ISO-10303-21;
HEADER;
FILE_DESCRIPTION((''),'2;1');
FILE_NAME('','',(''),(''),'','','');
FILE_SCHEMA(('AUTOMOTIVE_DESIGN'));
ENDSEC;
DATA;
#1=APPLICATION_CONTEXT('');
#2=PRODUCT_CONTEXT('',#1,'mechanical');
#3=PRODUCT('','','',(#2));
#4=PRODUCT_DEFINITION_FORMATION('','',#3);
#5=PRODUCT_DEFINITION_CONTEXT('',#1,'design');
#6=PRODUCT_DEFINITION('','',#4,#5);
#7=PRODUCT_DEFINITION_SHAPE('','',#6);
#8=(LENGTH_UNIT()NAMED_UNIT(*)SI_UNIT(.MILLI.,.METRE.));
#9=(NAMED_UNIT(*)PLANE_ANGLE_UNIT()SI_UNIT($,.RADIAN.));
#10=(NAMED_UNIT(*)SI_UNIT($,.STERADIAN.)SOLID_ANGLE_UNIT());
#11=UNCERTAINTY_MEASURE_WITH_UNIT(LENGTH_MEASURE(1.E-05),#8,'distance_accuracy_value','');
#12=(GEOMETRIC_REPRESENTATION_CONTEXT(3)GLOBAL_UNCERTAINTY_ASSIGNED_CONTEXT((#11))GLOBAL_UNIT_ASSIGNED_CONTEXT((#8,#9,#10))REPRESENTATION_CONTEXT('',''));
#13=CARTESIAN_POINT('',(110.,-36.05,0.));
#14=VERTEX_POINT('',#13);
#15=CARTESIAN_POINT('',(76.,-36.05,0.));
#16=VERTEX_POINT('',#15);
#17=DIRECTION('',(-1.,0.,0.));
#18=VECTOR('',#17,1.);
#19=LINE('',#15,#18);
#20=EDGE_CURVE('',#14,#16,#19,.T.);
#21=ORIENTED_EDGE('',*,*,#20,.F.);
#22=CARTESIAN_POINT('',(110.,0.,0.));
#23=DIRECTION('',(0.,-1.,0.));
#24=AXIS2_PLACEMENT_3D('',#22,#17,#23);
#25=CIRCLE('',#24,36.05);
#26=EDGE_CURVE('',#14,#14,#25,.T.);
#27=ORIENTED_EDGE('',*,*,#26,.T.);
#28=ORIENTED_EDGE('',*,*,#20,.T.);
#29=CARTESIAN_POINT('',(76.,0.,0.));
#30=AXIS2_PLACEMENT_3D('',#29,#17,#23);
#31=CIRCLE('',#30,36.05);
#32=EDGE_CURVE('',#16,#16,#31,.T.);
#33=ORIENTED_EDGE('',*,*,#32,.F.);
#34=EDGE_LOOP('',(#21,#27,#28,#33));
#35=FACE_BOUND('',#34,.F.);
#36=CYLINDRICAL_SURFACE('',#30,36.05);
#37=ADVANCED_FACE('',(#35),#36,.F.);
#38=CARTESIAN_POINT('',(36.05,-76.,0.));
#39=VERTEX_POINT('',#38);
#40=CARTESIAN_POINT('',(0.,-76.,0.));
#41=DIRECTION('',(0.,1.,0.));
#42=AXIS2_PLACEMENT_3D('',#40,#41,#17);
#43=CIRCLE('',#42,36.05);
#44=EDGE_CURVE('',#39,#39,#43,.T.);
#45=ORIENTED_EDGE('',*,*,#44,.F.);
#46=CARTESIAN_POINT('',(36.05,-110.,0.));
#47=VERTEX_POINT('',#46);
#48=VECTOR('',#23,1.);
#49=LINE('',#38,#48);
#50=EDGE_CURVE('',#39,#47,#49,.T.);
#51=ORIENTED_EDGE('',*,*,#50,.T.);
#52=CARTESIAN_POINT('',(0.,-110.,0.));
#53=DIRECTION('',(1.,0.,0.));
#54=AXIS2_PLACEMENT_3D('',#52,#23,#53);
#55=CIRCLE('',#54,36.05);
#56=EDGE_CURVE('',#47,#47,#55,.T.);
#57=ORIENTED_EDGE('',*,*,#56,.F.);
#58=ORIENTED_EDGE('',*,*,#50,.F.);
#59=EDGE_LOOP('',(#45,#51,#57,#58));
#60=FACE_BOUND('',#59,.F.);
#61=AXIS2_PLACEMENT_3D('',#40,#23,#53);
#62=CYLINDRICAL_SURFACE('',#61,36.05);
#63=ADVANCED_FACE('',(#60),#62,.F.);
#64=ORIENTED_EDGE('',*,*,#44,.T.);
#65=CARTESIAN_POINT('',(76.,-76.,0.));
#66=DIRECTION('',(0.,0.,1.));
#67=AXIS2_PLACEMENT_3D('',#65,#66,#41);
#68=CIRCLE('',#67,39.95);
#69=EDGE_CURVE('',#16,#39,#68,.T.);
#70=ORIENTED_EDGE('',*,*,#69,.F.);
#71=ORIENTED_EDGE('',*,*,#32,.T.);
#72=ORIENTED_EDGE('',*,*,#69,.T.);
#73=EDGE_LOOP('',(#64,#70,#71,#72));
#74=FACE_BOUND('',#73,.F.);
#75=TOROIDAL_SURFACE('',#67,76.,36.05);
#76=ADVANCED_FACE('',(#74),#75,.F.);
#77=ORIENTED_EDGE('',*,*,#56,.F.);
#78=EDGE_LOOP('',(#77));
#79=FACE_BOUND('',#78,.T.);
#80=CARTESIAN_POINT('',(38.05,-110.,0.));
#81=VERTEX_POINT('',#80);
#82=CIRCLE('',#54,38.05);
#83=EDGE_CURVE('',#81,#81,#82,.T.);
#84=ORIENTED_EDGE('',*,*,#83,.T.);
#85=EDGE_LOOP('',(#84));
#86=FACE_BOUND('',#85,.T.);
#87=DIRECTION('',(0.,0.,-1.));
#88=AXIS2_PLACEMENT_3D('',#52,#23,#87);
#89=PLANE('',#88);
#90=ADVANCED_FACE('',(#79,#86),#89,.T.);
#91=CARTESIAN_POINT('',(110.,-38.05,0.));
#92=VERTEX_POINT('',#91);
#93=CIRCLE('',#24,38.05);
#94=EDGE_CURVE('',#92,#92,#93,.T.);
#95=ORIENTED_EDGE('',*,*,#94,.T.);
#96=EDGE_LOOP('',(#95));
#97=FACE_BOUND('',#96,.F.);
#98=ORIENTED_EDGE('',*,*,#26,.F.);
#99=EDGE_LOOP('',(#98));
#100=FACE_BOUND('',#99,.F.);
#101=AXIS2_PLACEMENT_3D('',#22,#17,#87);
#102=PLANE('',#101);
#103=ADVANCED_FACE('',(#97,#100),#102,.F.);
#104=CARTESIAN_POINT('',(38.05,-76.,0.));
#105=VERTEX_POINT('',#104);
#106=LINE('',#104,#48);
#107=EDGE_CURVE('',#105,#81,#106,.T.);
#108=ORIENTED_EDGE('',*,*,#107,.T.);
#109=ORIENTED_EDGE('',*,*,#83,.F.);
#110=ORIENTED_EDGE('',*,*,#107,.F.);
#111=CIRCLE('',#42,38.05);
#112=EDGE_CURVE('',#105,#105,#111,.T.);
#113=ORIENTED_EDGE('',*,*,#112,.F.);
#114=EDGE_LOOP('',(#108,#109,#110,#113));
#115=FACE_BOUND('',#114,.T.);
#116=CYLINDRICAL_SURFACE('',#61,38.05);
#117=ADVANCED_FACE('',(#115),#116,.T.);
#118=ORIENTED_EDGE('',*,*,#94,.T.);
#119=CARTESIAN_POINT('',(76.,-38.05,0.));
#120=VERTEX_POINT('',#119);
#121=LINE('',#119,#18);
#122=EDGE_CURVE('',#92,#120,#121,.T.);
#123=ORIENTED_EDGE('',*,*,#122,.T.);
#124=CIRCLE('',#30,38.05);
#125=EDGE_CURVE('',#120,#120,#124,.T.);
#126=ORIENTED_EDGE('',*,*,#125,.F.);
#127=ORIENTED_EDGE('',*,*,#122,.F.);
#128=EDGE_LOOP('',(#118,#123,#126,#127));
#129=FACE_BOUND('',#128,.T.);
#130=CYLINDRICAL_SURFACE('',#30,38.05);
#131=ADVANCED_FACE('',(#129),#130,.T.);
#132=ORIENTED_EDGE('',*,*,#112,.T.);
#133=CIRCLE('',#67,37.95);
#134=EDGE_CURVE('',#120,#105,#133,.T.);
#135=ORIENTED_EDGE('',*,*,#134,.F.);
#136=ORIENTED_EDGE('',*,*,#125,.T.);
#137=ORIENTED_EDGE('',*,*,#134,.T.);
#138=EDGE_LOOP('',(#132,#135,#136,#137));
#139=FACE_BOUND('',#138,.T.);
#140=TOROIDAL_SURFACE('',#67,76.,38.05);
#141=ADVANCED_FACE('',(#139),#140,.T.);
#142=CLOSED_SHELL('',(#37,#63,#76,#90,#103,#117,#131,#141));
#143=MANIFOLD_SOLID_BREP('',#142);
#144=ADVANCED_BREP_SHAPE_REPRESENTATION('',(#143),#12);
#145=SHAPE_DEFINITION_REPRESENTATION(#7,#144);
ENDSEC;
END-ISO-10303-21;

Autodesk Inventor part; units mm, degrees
ref_plane "YZ Plane" through (0, 0, 0) normal (1, 0, 0) x (0, 1, 0)
ref_plane "XZ Plane" through (0, 0, 0) normal (0, 1, 0) x (-1, 0, 0)
sketch "Szkic6" plane through (0, 0, 0) normal (0, 0, 1) x (1, 0, 0)
  line L0 (-29.6067, 0) -> (35.2678, 0) construction
  line L1 (0, 42.3419) -> (0, -58.3726) construction
  arc A0 (76, 0) -> (0, -76) centre (76, -76) ccw
  line L2 (0, -76) -> (76, -76) construction
  line L3 (76, -76) -> (76, -10.4669) construction
  line L4 (76, 0) -> (110, 0)
  line L5 (0, -76) -> (0, -110)
  point P0 (0, 0)
  dimension "d24" = 76
  dimension "d31" = 90
  dimension "d36" = 34
  dimension "d37" = 34
ref_plane "Płaszczyzna konstrukcyjna2" through (0, -76, 0) normal (0, -1, 0) x (1, 0, 0)
sketch "Szkic8" plane through (0, -76, 0) normal (0, -1, 0) x (1, 0, 0)
  circle A0 centre (0, 0) radius 38.05
  circle A1 centre (0, 0) radius 36.05
  dimension "d32" = 76.1
  dimension "d33" = 2
sweep "Przeciągnięcie2" add profiles "Szkic8" path "Szkic6"
equation "\"d32\" = OD"
equation "\"d33\" = THK"
equation "\"d24\" = R"
equation "\"d31\" = KAT"
equation "\"d36\" = PROSTKA"
equation "\"d37\" = PROSTKA"
equation "\"SzerokośćGięciaPodcięcia\" = Grubość"
equation "\"RozmiarPodcięciaNarożnika\" = 4 * Grubość"
equation "\"PromieńPrzejścia\" = PromieńGięcia"
equation "\"Rozmiar_promienia_Jacobiego\" = PromieńGięcia"
equation "\"Wielk_odstępu\" = Grubość"
equation "\"d2\" = PromieńGięcia"
equation "\"d23\" = PromieńGięcia"
equation "\"R\" = 76"
equation "\"OD\" = 76.1"
equation "\"THK\" = 2"
equation "\"KAT\" = 90deg"
equation "\"PROSTKA\" = 34"
equation "\"Grubość\" = 1.5"
equation "\"PromieńGięcia\" = 3"
properties part number "Kolano 90° ø76,1x2 R76" material "304L"
